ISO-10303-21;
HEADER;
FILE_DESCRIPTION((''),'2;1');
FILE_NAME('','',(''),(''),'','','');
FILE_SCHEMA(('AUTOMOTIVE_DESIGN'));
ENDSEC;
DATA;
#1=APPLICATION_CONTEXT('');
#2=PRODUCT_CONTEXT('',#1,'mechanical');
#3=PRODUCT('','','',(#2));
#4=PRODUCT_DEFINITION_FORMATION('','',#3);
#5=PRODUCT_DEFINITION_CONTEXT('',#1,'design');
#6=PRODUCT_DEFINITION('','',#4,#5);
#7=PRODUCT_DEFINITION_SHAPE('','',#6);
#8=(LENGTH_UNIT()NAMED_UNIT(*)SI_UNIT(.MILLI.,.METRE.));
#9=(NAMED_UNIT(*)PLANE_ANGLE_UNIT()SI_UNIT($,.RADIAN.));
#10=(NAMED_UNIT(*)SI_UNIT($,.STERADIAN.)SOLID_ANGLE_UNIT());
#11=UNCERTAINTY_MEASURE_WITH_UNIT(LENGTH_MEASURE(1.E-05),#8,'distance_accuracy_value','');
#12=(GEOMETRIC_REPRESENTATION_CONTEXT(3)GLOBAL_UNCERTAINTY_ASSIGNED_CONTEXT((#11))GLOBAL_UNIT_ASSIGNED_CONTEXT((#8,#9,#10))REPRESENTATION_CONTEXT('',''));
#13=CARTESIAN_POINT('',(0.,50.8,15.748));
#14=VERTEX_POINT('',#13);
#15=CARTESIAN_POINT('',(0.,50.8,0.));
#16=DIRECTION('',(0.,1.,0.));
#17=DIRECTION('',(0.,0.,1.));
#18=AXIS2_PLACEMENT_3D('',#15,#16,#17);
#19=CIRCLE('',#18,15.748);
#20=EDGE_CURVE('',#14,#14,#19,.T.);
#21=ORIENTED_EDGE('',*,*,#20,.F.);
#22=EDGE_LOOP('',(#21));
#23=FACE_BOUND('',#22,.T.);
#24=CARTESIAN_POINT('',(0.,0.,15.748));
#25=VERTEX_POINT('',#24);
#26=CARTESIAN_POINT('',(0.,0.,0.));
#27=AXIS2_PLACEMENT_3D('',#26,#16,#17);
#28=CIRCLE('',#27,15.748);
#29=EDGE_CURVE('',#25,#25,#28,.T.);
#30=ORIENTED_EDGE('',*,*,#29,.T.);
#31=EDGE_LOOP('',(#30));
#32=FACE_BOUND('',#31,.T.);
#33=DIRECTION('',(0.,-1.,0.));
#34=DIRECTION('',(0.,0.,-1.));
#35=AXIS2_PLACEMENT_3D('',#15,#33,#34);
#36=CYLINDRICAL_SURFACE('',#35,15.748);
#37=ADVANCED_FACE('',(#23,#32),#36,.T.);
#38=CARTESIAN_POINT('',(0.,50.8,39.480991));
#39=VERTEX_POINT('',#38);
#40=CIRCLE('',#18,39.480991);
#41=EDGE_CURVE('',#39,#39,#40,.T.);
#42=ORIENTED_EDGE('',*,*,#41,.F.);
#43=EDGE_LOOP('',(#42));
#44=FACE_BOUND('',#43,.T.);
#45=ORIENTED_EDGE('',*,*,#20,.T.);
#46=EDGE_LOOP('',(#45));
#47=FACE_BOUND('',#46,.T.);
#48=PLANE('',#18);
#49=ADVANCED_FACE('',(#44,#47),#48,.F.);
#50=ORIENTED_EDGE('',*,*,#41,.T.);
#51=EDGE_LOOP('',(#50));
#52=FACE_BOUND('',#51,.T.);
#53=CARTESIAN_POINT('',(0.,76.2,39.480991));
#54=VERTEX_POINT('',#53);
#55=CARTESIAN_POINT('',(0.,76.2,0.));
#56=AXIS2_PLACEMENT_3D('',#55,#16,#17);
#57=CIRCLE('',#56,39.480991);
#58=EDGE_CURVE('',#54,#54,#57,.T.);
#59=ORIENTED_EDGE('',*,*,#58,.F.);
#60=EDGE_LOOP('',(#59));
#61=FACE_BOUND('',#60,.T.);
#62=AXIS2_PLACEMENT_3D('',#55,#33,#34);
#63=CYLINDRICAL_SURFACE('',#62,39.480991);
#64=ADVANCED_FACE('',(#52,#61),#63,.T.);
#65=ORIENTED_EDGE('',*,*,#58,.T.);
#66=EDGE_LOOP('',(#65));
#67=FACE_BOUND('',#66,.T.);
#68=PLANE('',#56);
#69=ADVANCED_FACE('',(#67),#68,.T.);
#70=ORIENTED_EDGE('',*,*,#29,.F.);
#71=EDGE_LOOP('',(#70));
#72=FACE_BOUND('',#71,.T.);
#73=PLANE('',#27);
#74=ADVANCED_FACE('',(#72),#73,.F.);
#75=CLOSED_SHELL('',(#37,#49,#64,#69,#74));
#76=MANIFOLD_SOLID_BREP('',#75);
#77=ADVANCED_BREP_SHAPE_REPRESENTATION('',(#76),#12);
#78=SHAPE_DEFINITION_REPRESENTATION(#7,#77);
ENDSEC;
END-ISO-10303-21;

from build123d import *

# Parameters (mm, degrees)
SKETCH1_R           = 15.748
BOSS_EXTRUDE1_DEPTH = 50.8
SKETCH2_R           = 39.480990665
BOSS_EXTRUDE2_DEPTH = 25.4


with BuildPart() as part:
    # Sketch1 → Boss-Extrude1 (new body)
    with BuildSketch(Plane(origin=(0, 0, 0), x_dir=(1, 0, 0), z_dir=(0, 1, 0))):
        with Locations(Location((0, 0, 0), (0, 0, 270))):
            Circle(SKETCH1_R)
    extrude(amount=BOSS_EXTRUDE1_DEPTH)

    # Sketch2 → Boss-Extrude2 (add)
    with BuildSketch(Plane(origin=(0, 50.8, 0), x_dir=(1, 0, 0), z_dir=(0, 1, 0))):
        with Locations(Location((0, 0, 0), (0, 0, 270))):
            Circle(SKETCH2_R)
    extrude(amount=BOSS_EXTRUDE2_DEPTH)


solid = part.part
